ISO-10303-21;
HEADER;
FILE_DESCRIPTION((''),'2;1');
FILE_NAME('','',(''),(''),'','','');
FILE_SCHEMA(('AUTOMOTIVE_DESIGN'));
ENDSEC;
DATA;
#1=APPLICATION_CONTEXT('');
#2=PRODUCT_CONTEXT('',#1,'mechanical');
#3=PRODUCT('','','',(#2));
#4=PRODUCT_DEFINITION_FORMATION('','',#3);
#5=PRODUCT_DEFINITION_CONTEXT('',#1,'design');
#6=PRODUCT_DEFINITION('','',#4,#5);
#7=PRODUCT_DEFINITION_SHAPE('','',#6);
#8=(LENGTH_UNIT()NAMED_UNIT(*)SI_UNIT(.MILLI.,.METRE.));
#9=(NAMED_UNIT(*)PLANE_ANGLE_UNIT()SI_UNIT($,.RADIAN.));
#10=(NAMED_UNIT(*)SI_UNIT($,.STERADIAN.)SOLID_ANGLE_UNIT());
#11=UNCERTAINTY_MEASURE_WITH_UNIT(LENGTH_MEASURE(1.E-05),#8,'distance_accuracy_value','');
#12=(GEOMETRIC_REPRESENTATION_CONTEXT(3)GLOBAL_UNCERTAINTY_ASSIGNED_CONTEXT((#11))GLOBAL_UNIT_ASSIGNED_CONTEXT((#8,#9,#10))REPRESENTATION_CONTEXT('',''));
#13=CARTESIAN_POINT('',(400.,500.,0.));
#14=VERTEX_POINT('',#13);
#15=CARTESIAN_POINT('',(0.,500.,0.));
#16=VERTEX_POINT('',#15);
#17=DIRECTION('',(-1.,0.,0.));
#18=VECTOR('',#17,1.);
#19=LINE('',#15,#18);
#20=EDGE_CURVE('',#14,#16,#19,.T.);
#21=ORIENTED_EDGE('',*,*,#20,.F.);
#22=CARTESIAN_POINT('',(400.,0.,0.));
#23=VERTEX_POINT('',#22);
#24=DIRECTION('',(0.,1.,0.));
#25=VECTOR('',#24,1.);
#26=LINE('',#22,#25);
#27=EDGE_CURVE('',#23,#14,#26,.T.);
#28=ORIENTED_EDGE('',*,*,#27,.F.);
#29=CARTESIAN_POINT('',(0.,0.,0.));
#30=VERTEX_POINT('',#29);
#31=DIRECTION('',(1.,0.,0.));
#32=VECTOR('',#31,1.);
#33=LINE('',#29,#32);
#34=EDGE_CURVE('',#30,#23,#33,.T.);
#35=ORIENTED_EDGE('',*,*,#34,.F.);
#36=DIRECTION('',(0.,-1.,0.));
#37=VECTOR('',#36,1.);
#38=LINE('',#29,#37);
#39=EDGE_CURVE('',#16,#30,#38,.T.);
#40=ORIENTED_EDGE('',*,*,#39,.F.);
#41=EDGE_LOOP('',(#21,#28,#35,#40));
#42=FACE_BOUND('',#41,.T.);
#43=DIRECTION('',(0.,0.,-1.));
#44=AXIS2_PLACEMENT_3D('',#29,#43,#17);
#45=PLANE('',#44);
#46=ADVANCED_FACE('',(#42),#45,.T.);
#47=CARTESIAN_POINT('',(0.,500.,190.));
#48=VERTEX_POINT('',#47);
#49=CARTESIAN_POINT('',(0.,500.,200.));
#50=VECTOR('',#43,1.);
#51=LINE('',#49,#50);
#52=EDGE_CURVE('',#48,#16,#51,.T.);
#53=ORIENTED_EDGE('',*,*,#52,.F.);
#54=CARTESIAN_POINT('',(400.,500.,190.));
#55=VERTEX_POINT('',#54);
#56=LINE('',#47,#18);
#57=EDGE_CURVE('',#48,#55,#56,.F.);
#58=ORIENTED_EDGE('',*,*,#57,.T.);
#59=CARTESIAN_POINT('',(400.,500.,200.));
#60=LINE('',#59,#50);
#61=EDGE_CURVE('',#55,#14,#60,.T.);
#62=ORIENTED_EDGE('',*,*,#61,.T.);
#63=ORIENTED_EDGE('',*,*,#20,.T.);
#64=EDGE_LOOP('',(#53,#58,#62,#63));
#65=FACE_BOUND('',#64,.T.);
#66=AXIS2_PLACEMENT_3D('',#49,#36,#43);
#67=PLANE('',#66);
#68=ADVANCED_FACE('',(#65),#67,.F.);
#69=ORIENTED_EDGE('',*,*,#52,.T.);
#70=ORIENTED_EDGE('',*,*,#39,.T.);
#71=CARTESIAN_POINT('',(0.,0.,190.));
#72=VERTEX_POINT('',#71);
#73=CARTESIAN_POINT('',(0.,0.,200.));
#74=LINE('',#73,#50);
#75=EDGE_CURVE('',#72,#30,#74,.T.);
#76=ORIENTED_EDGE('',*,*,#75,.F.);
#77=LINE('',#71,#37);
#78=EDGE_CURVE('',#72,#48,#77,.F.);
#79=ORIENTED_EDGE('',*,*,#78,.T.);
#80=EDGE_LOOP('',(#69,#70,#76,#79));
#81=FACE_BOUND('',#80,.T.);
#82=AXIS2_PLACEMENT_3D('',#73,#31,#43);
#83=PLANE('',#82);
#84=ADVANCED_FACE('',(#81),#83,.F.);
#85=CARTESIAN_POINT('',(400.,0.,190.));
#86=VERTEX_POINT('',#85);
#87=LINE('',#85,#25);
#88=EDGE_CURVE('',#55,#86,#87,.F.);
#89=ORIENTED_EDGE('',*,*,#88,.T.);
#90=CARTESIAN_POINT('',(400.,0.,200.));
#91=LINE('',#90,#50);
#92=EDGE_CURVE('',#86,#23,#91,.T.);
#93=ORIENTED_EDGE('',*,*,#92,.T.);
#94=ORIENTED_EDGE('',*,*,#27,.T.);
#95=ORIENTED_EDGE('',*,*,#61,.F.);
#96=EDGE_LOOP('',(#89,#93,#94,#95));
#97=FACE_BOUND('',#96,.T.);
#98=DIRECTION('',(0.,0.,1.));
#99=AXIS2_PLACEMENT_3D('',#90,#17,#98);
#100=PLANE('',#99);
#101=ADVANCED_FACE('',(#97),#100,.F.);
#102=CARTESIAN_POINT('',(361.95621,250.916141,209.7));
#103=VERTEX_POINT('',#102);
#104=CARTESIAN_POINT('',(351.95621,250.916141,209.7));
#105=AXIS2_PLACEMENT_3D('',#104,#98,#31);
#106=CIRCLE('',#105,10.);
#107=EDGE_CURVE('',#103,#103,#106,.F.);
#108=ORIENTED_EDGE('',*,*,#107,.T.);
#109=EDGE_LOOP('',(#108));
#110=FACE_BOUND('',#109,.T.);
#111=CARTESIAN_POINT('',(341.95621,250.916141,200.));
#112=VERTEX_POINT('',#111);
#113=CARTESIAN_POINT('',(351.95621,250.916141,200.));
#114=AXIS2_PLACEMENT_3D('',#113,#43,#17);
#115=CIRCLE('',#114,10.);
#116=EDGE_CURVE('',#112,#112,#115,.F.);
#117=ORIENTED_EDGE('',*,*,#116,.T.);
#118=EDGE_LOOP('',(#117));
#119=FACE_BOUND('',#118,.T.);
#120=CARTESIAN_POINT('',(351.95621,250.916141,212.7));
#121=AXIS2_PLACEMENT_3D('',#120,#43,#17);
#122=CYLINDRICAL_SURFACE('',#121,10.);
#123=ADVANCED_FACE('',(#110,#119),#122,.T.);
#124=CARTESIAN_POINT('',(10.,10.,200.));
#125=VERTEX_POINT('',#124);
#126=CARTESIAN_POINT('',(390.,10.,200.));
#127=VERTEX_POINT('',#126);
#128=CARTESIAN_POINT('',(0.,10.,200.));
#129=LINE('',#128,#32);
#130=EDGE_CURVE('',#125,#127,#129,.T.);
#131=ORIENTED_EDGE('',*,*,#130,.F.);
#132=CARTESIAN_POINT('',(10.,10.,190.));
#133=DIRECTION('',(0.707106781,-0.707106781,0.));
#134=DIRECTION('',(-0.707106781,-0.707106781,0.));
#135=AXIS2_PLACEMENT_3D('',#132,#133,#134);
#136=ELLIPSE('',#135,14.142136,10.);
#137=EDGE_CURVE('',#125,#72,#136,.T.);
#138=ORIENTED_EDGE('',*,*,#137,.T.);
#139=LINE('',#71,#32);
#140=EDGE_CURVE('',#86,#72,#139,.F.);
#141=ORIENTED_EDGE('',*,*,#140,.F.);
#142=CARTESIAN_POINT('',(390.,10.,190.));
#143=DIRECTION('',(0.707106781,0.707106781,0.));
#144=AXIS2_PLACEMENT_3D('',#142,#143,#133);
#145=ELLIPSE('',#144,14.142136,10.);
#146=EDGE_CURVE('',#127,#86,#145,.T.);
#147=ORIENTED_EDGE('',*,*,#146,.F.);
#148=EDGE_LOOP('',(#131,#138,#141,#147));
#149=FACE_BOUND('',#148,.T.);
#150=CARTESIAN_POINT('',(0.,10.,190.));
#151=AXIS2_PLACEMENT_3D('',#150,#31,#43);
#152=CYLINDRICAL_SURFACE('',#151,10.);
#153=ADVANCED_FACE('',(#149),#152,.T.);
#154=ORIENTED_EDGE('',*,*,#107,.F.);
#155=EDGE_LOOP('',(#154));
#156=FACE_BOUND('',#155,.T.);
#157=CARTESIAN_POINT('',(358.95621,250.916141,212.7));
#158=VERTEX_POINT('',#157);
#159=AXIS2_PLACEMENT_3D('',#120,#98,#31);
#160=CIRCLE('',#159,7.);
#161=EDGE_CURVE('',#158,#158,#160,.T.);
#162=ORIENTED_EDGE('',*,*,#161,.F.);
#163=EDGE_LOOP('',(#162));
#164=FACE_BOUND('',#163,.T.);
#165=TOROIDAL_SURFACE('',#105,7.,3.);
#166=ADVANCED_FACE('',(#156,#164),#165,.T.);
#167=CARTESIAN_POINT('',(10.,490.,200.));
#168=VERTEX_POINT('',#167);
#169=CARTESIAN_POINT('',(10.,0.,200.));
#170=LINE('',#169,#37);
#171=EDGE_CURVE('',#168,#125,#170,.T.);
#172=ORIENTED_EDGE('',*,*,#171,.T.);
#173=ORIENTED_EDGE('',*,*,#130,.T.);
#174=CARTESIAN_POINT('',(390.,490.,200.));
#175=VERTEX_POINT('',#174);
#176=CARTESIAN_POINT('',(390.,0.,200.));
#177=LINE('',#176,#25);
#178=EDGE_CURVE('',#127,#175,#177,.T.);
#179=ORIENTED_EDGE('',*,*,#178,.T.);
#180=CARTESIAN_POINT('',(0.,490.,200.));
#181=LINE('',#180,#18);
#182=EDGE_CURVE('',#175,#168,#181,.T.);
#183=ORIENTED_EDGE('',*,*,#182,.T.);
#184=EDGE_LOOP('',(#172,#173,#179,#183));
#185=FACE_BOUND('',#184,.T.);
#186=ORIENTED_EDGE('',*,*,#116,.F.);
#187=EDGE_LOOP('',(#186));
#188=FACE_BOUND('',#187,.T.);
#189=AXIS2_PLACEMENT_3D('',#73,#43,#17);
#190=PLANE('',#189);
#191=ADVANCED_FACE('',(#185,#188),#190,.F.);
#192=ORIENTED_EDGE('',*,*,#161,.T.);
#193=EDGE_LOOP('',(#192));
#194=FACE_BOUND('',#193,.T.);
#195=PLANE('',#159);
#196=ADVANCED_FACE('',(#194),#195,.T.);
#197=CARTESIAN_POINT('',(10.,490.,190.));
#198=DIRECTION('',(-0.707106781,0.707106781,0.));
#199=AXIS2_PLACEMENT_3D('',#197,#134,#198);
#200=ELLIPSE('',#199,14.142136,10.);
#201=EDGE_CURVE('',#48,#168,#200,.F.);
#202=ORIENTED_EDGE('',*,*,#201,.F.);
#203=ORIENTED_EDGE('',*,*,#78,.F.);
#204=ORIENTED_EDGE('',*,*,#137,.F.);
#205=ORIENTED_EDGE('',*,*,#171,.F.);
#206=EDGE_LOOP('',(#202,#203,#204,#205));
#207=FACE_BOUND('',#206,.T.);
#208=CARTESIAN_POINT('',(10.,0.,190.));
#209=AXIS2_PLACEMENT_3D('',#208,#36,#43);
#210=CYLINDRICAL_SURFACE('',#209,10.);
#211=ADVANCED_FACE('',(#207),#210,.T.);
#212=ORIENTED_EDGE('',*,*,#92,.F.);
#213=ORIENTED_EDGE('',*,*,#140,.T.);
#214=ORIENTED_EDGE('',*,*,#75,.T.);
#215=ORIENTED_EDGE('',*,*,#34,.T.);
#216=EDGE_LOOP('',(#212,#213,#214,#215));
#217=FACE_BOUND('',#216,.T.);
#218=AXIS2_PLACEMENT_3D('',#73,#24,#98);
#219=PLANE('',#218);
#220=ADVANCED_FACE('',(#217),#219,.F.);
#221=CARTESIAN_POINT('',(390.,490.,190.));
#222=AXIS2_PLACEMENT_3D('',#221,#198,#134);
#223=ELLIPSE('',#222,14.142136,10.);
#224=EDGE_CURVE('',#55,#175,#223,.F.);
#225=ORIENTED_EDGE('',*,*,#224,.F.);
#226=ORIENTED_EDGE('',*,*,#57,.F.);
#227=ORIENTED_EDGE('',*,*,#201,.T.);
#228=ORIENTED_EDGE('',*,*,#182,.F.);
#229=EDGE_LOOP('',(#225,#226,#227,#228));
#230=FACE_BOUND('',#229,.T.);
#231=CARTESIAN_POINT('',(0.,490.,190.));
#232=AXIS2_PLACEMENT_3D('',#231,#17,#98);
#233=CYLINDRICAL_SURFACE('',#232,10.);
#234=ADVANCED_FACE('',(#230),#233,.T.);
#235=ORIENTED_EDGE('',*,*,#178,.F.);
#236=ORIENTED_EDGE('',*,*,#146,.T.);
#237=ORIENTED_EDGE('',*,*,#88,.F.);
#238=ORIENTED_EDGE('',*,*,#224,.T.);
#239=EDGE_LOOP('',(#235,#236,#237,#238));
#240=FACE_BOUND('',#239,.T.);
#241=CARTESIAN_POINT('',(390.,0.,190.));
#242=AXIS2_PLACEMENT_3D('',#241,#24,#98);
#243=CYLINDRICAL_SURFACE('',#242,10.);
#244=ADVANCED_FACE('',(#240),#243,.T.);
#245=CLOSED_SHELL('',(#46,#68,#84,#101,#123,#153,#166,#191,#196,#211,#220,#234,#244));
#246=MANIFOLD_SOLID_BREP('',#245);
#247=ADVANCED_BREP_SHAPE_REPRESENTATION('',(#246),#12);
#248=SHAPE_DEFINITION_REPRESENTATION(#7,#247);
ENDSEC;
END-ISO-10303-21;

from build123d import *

# Parameters (mm, degrees)
CROQUIS1_W              = 400
CROQUIS1_H              = 500
SALIENTE_EXTRUIR1_DEPTH = 200
REDONDEO1_R             = 10
CROQUIS2_R              = 10
SALIENTE_EXTRUIR2_DEPTH = 12.7
REDONDEO2_R             = 3


with BuildPart() as part:
    # Croquis1 → Saliente-Extruir1 (new body)
    with BuildSketch(Plane.XY):
        with Locations((200, 250)):
            Rectangle(CROQUIS1_W, CROQUIS1_H)
    extrude(amount=SALIENTE_EXTRUIR1_DEPTH)

    # Redondeo1
    redondeo1_edges = [part.edges().sort_by_distance(p)[0] for p in [
        (400, 250, 200),
        (200, 500, 200),
        (0, 250, 200),
        (200, 0, 200),
    ]]
    fillet(redondeo1_edges, radius=REDONDEO1_R)

    # Croquis2 → Saliente-Extruir2 (add)
    with BuildSketch(Plane.XY.offset(200)):
        with Locations(Location((351.956210027, 250.916140829, 0), (0, 0, 180))):
            Circle(CROQUIS2_R)
    extrude(amount=SALIENTE_EXTRUIR2_DEPTH)

    # Redondeo2
    redondeo2_edges = [part.edges().sort_by_distance(p)[0] for p in [
        (361.956210027, 250.916140829, 212.7),
    ]]
    fillet(redondeo2_edges, radius=REDONDEO2_R)


solid = part.part
